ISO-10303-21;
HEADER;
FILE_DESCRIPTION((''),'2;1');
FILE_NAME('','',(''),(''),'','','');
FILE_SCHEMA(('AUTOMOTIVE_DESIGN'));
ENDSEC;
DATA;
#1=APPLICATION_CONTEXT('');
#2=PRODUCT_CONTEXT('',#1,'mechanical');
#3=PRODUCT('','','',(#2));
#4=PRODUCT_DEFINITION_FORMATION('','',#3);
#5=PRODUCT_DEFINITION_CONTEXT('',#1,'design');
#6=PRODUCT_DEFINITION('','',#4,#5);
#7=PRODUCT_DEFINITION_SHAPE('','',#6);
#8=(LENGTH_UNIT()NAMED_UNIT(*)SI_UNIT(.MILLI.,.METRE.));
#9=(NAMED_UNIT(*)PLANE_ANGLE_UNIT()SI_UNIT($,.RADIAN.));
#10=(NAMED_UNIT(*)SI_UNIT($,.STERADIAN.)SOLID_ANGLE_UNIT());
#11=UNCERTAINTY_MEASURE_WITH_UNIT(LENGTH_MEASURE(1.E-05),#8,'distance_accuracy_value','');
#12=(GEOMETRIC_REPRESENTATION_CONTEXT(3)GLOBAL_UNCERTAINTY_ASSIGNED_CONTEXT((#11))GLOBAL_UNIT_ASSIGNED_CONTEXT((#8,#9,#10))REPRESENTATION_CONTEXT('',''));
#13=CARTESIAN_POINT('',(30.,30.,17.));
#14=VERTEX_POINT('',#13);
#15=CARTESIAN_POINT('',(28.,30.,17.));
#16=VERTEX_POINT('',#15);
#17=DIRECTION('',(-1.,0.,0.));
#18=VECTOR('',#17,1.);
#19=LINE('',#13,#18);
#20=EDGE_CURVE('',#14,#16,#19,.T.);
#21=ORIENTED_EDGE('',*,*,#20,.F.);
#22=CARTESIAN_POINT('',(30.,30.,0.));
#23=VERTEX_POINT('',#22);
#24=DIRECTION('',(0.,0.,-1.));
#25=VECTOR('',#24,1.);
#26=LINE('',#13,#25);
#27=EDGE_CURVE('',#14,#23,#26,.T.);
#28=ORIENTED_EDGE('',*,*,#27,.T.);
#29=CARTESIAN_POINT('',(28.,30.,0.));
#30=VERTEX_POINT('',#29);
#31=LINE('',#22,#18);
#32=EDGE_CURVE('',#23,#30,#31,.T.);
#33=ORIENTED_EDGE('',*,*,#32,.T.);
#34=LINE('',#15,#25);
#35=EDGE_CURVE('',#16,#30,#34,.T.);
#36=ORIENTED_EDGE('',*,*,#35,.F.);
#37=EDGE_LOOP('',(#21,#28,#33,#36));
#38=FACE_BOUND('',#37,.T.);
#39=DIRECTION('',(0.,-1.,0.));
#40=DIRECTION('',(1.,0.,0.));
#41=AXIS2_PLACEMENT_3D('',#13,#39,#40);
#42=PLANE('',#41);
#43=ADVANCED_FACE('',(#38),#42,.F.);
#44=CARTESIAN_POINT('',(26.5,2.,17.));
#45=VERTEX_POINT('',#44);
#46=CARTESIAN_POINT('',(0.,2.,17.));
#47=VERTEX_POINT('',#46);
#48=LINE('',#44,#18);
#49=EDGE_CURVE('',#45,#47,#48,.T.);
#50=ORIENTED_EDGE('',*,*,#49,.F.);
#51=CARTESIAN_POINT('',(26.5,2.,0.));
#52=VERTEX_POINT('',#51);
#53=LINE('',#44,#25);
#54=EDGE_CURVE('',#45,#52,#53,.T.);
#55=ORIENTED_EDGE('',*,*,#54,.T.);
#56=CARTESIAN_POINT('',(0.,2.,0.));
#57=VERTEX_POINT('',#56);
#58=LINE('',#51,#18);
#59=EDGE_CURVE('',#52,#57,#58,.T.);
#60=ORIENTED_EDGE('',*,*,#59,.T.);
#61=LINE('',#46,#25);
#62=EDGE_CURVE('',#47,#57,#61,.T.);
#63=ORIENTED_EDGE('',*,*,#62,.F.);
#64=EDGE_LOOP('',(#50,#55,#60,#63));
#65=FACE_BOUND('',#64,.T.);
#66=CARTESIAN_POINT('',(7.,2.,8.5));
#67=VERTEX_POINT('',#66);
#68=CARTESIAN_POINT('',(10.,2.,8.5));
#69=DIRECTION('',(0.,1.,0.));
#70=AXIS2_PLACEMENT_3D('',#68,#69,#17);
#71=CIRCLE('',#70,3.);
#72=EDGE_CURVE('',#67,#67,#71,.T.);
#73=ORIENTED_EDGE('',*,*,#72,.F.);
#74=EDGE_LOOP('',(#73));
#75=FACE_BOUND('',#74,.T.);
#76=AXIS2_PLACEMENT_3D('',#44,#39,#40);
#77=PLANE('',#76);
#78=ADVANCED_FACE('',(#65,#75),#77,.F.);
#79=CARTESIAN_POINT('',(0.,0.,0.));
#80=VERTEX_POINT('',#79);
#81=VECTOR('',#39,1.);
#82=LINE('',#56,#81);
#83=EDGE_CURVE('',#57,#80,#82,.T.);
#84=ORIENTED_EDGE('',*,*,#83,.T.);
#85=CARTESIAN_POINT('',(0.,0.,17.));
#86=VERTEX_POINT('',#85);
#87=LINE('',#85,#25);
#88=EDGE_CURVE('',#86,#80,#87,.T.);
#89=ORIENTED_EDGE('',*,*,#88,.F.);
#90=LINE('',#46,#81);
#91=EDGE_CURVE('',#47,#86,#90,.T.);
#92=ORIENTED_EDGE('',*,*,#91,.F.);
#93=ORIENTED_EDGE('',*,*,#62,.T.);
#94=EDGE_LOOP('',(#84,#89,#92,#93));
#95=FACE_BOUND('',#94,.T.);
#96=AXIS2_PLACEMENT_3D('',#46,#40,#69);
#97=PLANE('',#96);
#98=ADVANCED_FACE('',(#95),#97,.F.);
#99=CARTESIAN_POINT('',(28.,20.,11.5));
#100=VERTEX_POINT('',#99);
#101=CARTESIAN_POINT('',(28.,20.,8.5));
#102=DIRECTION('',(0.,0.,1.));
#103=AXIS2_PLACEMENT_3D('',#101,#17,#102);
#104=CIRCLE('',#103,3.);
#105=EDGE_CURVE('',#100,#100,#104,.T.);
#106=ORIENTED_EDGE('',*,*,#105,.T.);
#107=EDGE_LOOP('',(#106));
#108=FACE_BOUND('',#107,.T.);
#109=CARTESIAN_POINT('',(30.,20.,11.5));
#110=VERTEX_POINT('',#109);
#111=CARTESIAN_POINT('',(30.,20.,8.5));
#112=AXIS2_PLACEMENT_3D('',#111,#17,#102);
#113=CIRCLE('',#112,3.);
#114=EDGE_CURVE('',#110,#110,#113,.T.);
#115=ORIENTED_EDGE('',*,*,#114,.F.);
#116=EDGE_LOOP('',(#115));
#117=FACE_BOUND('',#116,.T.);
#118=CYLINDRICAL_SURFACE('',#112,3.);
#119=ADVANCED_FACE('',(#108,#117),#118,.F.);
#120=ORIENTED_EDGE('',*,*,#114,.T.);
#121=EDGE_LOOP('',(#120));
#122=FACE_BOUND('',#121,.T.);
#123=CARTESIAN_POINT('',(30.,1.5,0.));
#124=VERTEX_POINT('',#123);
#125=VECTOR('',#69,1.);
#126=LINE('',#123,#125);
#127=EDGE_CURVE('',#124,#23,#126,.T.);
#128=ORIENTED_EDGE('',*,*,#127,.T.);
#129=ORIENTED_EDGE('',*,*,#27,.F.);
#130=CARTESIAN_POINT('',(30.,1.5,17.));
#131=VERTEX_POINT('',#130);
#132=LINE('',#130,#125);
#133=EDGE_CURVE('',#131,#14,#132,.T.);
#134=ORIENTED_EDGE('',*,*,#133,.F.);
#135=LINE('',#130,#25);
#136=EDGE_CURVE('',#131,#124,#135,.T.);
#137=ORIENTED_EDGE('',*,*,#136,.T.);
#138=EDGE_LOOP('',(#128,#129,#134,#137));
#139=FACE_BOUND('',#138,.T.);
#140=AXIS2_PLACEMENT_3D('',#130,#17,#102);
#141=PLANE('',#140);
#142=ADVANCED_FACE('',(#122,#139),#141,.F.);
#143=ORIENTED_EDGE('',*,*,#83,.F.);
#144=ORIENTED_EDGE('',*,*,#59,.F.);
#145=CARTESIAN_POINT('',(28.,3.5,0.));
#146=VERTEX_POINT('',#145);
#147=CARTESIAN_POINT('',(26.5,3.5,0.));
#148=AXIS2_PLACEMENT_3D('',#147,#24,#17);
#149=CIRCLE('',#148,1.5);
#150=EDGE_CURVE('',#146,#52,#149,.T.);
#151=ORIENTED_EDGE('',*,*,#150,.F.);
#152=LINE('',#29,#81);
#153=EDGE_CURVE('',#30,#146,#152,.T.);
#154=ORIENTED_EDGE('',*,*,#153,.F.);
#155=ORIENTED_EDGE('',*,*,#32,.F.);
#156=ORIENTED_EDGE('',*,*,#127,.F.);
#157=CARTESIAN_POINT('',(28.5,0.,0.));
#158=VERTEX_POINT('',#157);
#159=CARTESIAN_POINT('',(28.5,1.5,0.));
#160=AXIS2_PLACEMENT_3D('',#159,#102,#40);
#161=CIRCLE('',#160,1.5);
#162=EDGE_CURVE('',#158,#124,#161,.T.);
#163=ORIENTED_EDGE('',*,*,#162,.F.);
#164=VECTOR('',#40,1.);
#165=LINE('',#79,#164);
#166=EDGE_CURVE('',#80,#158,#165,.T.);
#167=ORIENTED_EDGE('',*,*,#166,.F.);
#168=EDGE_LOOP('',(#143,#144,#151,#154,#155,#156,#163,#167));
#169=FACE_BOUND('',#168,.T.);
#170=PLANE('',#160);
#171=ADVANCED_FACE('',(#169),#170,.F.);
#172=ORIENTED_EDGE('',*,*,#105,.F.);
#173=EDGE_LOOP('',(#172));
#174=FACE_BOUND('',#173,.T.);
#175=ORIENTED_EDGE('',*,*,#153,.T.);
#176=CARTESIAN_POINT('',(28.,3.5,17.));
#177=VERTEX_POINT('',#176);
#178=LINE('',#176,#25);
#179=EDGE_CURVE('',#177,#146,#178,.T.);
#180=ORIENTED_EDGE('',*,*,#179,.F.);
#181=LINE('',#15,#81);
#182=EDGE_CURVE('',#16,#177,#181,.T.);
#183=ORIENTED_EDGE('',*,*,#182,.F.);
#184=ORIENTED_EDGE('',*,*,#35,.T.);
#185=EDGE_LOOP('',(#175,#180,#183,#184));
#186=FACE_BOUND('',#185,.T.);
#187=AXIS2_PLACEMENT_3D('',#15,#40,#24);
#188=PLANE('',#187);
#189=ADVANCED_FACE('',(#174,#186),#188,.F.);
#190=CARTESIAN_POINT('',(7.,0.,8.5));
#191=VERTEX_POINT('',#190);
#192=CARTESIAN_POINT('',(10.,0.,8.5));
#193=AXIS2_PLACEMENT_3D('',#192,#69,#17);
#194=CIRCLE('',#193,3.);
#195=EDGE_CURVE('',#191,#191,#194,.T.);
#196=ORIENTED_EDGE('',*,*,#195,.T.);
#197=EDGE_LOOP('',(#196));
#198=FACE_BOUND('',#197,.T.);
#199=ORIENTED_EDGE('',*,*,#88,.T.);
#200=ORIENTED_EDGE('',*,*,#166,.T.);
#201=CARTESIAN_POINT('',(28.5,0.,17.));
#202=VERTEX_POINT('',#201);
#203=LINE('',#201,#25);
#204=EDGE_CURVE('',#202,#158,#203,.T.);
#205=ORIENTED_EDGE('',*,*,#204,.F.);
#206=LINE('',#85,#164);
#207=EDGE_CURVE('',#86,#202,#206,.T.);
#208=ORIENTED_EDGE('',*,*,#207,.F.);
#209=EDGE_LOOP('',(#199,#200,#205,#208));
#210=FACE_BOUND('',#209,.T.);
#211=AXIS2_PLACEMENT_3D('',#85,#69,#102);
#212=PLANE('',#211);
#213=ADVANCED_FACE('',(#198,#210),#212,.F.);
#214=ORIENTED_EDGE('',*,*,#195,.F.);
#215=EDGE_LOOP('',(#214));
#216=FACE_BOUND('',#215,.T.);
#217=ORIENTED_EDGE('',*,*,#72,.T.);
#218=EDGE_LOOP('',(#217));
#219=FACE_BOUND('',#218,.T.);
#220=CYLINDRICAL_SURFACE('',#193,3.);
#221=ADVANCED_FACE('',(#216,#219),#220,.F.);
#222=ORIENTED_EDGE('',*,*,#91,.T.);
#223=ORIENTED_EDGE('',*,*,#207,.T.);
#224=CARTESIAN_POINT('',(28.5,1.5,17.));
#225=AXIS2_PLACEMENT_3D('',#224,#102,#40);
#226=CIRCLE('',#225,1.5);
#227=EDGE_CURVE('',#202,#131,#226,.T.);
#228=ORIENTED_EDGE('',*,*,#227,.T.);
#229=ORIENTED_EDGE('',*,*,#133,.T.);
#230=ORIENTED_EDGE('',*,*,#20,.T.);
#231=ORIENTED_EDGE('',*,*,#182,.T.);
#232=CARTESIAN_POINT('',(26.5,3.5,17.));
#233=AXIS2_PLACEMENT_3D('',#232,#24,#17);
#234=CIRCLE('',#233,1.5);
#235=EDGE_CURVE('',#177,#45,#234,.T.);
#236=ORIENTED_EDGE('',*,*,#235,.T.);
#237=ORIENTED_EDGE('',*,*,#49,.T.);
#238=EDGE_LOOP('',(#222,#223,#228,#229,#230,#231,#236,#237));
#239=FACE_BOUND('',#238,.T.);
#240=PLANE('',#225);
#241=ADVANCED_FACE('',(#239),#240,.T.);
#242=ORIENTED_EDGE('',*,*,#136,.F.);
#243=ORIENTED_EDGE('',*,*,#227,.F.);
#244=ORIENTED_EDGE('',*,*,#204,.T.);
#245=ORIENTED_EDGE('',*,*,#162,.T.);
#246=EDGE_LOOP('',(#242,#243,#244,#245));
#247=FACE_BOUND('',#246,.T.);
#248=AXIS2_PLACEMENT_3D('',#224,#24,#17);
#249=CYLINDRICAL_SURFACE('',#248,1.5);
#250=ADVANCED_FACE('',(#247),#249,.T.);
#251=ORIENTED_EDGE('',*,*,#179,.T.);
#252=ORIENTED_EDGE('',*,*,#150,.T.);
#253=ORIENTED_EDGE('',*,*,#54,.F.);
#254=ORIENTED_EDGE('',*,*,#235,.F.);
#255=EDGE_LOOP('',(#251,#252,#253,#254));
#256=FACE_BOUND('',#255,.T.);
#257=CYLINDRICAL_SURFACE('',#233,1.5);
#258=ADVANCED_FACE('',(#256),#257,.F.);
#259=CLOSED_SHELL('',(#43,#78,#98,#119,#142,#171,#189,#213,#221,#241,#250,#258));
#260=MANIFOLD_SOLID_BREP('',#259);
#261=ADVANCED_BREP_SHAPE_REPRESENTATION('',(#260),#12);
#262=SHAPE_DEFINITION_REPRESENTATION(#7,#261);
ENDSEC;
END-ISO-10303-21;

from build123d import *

# Parameters (mm, degrees)
BOSS_EXTRUDE1_DEPTH = 17
SKETCH3_R           = 3
CUT_EXTRUDE1_DEPTH  = 45.418464629
SKETCH4_R           = 3
CUT_EXTRUDE2_DEPTH  = 45.418464629


with BuildPart() as part:
    # Sketch2 → Boss-Extrude1 (new body)
    with BuildSketch(Plane.XY):
        with BuildLine():
            Line((0, 0), (28.5, 0))
            ThreePointArc((28.5, 0), (29.560660172, 0.439339828), (30, 1.5))
            Line((30, 1.5), (30, 30))
            Line((30, 30), (28, 30))
            Line((28, 30), (28, 3.5))
            ThreePointArc((28, 3.5), (27.560660172, 2.439339828), (26.5, 2))
            Line((26.5, 2), (0, 2))
            Line((0, 2), (0, 0))
        make_face()
    extrude(amount=BOSS_EXTRUDE1_DEPTH)

    # Sketch3 → Cut-Extrude1 (cut, through all)
    with BuildSketch(Plane.ZY.offset(-28)):
        with Locations((8.5, 20)):
            Circle(SKETCH3_R)
    extrude(amount=-CUT_EXTRUDE1_DEPTH, mode=Mode.SUBTRACT)

    # Sketch4 → Cut-Extrude2 (cut, through all)
    with BuildSketch(Plane(origin=(0, 2, 0), x_dir=(1, 0, 0), z_dir=(0, 1, 0))):
        with Locations(Location((10, -8.5, 0), (0, 0, 180))):
            Circle(SKETCH4_R)
    extrude(amount=-CUT_EXTRUDE2_DEPTH, mode=Mode.SUBTRACT)


solid = part.part
